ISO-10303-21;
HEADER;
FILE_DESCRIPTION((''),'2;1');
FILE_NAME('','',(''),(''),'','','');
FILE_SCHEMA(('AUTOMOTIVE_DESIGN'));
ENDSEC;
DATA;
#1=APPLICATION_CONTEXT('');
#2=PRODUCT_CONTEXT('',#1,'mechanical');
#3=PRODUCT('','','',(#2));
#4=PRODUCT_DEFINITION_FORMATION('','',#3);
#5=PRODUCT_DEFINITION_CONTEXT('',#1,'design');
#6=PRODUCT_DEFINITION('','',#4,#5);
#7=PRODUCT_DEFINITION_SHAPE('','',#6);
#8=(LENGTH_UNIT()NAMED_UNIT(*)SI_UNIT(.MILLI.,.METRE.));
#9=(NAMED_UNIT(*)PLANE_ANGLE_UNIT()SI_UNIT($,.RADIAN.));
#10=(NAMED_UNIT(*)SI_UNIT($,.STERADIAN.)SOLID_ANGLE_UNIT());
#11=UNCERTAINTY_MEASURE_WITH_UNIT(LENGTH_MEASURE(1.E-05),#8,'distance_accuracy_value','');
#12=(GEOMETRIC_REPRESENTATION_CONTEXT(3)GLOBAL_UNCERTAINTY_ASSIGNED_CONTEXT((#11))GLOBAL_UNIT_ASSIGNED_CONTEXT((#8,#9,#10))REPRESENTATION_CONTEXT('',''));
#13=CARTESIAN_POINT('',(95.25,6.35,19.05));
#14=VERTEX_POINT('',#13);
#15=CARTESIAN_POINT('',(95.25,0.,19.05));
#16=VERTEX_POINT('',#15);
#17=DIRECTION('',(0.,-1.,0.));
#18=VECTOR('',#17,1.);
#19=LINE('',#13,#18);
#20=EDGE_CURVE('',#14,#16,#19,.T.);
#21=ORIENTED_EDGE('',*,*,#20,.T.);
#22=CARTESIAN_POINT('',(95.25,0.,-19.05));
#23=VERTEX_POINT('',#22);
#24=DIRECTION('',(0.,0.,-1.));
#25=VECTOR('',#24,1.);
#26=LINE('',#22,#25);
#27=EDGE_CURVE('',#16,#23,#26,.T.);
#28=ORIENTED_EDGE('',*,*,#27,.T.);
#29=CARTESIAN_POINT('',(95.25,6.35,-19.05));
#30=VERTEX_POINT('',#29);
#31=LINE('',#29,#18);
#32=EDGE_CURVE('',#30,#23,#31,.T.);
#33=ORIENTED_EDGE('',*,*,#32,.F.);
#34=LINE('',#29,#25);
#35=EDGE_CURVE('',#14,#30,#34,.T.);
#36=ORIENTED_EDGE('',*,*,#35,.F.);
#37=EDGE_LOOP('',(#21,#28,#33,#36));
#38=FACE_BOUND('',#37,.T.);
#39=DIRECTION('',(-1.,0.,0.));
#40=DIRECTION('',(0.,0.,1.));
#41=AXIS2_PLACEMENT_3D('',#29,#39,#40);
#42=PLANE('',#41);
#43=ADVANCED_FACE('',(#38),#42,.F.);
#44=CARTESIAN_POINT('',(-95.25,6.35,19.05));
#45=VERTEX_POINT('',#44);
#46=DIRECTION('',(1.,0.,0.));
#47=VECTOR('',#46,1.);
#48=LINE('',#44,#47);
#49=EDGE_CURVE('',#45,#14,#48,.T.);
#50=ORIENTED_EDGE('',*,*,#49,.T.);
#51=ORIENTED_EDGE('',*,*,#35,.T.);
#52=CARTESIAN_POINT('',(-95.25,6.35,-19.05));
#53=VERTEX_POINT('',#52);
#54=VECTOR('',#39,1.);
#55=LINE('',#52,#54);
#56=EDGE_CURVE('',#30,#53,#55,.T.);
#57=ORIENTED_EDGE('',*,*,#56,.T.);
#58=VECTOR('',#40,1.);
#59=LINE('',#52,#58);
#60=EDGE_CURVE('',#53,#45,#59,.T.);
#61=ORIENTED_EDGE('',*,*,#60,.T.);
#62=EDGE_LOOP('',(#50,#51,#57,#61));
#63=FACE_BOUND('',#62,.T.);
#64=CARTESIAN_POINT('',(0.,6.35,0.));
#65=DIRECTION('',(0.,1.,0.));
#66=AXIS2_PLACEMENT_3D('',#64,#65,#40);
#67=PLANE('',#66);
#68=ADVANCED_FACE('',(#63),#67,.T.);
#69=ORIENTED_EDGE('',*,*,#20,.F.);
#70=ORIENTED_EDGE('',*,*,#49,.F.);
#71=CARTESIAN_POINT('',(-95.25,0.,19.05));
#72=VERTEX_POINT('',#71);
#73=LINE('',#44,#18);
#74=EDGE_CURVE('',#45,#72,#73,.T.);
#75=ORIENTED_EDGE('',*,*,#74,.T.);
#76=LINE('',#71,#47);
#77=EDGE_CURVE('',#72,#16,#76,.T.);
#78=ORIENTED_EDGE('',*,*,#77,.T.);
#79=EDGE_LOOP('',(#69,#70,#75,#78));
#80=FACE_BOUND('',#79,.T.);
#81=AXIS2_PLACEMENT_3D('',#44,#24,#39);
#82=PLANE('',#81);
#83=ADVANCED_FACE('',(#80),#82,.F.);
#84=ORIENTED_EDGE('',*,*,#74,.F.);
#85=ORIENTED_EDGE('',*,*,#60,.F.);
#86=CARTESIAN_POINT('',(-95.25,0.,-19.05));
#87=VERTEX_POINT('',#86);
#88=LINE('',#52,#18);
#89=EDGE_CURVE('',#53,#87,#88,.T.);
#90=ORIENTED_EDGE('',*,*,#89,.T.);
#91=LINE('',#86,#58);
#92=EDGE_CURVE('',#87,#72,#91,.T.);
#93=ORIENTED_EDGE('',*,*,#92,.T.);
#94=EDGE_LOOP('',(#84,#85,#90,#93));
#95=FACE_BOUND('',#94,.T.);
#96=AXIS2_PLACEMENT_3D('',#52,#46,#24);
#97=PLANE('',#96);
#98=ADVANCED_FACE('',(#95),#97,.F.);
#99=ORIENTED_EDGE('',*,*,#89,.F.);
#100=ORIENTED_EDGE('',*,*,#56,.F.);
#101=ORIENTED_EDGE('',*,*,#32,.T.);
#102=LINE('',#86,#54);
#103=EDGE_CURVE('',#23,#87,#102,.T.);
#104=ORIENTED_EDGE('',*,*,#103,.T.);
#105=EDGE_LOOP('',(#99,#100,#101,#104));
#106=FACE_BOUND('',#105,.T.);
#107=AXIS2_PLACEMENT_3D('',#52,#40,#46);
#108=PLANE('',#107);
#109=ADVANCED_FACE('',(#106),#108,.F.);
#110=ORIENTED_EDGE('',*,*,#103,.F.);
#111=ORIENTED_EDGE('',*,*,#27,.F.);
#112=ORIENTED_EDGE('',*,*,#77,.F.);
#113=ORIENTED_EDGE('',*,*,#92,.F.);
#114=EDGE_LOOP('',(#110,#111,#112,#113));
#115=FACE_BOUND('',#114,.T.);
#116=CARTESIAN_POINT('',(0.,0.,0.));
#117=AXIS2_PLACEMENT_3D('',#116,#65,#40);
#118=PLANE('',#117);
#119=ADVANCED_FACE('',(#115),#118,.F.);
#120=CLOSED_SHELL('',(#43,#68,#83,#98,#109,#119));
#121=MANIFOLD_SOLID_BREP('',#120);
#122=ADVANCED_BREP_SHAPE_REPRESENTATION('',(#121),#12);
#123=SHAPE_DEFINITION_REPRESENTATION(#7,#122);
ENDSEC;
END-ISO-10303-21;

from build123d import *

# Parameters (mm, degrees)
SKETCH1_W           = 190.5
SKETCH1_H           = 38.1
BOSS_EXTRUDE1_DEPTH = 6.35


with BuildPart() as part:
    # Sketch1 → Boss-Extrude1 (new body)
    with BuildSketch(Plane(origin=(0, 0, 0), x_dir=(1, 0, 0), z_dir=(0, 1, 0))):
        Rectangle(SKETCH1_W, SKETCH1_H)
    extrude(amount=BOSS_EXTRUDE1_DEPTH)


solid = part.part
